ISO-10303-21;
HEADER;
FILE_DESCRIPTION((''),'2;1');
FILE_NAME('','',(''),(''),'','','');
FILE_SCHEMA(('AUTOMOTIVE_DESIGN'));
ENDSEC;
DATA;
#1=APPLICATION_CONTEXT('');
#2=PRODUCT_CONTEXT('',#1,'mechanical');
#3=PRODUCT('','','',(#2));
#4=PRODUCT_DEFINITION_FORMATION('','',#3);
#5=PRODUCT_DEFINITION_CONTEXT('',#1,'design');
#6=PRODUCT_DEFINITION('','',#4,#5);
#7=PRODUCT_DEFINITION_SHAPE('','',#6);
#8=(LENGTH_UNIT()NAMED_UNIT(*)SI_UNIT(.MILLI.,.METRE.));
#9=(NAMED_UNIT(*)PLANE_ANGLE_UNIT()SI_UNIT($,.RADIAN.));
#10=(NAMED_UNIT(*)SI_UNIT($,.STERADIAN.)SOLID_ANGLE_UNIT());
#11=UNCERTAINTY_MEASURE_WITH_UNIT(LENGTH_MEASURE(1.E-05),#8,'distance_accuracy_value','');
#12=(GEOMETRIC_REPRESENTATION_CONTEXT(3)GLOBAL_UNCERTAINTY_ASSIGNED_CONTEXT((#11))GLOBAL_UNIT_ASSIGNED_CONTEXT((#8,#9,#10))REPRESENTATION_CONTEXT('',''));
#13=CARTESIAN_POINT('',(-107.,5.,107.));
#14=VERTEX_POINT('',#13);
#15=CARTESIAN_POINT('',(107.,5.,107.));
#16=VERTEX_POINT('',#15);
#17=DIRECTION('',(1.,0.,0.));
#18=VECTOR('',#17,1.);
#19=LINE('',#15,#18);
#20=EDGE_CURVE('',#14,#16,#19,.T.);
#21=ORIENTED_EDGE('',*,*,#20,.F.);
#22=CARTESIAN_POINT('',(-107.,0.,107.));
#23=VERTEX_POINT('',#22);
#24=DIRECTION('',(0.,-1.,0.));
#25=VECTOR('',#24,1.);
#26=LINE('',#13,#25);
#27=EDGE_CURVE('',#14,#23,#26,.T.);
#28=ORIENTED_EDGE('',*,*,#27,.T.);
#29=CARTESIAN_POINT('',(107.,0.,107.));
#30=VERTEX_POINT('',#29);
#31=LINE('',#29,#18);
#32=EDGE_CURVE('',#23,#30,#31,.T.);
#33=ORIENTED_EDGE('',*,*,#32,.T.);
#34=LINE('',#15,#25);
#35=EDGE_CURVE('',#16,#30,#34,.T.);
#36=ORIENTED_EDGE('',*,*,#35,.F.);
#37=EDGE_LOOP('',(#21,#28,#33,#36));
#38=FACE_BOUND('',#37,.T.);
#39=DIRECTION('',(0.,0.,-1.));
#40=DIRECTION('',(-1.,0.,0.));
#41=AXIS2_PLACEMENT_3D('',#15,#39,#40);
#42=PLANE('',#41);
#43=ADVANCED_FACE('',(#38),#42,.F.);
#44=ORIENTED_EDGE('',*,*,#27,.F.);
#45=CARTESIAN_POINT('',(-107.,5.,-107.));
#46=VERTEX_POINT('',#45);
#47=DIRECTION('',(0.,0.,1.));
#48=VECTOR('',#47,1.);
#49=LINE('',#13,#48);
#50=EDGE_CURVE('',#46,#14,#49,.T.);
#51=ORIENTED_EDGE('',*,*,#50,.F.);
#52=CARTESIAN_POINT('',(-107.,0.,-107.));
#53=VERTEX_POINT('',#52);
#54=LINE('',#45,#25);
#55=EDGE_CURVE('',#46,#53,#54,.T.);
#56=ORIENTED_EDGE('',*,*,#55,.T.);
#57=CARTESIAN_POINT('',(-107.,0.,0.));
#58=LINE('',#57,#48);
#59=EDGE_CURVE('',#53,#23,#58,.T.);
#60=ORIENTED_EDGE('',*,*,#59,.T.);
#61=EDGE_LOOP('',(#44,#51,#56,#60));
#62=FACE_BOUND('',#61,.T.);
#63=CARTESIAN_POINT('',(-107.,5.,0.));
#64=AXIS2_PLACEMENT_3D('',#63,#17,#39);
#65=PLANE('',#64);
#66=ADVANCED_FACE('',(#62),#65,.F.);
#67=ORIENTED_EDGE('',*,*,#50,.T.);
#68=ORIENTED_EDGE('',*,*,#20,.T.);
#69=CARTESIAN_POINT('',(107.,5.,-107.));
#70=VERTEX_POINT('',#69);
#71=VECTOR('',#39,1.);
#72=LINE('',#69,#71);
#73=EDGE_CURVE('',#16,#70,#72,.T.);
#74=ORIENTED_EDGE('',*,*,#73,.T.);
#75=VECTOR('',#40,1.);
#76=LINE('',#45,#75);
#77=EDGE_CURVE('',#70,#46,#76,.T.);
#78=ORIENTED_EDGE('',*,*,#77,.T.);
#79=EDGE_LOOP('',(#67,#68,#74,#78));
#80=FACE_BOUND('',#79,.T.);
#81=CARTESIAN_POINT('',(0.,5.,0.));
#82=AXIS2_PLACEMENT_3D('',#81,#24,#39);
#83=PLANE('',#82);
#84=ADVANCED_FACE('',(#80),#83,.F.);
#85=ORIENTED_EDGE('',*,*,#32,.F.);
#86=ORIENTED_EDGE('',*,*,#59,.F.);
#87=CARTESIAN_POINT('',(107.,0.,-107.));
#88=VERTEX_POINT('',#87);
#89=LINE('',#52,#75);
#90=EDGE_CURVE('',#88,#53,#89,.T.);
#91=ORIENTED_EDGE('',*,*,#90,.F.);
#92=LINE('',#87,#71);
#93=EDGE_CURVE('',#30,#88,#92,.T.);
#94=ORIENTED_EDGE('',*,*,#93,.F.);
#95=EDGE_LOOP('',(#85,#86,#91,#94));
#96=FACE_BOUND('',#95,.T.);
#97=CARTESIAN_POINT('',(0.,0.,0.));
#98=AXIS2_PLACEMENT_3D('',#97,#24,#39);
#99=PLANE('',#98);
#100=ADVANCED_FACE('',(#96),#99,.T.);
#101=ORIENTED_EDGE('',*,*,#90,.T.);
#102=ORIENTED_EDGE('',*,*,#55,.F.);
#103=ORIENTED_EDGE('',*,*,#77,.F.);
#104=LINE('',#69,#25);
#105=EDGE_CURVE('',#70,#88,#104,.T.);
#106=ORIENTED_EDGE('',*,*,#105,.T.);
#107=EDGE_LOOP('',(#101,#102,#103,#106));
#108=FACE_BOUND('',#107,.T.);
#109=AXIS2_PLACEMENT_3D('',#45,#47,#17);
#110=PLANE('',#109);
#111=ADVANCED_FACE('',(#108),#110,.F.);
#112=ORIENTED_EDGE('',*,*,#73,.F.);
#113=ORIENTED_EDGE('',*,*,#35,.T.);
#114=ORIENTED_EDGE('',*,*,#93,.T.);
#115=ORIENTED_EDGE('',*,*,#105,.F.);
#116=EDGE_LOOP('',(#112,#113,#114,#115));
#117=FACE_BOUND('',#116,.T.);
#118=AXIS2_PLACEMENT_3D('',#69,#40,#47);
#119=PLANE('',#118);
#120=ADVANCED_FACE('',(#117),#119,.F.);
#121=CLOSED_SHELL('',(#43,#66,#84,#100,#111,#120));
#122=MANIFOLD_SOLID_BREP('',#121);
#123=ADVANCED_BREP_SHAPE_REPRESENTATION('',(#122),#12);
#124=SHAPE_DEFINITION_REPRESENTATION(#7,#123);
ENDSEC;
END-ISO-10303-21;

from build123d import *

# Parameters (mm, degrees)
BOSS_EXTRUDE1_DEPTH = 5


with BuildPart() as part:
    # Sketch1 → Boss-Extrude1 (new body)
    with BuildSketch(Plane(origin=(0, 0, 0), x_dir=(1, 0, 0), z_dir=(0, 1, 0))):
        Polygon((-107, 0), (-107, 107), (107, 107), (107, -107), (-107, -107), align=None)
    extrude(amount=BOSS_EXTRUDE1_DEPTH)


solid = part.part
